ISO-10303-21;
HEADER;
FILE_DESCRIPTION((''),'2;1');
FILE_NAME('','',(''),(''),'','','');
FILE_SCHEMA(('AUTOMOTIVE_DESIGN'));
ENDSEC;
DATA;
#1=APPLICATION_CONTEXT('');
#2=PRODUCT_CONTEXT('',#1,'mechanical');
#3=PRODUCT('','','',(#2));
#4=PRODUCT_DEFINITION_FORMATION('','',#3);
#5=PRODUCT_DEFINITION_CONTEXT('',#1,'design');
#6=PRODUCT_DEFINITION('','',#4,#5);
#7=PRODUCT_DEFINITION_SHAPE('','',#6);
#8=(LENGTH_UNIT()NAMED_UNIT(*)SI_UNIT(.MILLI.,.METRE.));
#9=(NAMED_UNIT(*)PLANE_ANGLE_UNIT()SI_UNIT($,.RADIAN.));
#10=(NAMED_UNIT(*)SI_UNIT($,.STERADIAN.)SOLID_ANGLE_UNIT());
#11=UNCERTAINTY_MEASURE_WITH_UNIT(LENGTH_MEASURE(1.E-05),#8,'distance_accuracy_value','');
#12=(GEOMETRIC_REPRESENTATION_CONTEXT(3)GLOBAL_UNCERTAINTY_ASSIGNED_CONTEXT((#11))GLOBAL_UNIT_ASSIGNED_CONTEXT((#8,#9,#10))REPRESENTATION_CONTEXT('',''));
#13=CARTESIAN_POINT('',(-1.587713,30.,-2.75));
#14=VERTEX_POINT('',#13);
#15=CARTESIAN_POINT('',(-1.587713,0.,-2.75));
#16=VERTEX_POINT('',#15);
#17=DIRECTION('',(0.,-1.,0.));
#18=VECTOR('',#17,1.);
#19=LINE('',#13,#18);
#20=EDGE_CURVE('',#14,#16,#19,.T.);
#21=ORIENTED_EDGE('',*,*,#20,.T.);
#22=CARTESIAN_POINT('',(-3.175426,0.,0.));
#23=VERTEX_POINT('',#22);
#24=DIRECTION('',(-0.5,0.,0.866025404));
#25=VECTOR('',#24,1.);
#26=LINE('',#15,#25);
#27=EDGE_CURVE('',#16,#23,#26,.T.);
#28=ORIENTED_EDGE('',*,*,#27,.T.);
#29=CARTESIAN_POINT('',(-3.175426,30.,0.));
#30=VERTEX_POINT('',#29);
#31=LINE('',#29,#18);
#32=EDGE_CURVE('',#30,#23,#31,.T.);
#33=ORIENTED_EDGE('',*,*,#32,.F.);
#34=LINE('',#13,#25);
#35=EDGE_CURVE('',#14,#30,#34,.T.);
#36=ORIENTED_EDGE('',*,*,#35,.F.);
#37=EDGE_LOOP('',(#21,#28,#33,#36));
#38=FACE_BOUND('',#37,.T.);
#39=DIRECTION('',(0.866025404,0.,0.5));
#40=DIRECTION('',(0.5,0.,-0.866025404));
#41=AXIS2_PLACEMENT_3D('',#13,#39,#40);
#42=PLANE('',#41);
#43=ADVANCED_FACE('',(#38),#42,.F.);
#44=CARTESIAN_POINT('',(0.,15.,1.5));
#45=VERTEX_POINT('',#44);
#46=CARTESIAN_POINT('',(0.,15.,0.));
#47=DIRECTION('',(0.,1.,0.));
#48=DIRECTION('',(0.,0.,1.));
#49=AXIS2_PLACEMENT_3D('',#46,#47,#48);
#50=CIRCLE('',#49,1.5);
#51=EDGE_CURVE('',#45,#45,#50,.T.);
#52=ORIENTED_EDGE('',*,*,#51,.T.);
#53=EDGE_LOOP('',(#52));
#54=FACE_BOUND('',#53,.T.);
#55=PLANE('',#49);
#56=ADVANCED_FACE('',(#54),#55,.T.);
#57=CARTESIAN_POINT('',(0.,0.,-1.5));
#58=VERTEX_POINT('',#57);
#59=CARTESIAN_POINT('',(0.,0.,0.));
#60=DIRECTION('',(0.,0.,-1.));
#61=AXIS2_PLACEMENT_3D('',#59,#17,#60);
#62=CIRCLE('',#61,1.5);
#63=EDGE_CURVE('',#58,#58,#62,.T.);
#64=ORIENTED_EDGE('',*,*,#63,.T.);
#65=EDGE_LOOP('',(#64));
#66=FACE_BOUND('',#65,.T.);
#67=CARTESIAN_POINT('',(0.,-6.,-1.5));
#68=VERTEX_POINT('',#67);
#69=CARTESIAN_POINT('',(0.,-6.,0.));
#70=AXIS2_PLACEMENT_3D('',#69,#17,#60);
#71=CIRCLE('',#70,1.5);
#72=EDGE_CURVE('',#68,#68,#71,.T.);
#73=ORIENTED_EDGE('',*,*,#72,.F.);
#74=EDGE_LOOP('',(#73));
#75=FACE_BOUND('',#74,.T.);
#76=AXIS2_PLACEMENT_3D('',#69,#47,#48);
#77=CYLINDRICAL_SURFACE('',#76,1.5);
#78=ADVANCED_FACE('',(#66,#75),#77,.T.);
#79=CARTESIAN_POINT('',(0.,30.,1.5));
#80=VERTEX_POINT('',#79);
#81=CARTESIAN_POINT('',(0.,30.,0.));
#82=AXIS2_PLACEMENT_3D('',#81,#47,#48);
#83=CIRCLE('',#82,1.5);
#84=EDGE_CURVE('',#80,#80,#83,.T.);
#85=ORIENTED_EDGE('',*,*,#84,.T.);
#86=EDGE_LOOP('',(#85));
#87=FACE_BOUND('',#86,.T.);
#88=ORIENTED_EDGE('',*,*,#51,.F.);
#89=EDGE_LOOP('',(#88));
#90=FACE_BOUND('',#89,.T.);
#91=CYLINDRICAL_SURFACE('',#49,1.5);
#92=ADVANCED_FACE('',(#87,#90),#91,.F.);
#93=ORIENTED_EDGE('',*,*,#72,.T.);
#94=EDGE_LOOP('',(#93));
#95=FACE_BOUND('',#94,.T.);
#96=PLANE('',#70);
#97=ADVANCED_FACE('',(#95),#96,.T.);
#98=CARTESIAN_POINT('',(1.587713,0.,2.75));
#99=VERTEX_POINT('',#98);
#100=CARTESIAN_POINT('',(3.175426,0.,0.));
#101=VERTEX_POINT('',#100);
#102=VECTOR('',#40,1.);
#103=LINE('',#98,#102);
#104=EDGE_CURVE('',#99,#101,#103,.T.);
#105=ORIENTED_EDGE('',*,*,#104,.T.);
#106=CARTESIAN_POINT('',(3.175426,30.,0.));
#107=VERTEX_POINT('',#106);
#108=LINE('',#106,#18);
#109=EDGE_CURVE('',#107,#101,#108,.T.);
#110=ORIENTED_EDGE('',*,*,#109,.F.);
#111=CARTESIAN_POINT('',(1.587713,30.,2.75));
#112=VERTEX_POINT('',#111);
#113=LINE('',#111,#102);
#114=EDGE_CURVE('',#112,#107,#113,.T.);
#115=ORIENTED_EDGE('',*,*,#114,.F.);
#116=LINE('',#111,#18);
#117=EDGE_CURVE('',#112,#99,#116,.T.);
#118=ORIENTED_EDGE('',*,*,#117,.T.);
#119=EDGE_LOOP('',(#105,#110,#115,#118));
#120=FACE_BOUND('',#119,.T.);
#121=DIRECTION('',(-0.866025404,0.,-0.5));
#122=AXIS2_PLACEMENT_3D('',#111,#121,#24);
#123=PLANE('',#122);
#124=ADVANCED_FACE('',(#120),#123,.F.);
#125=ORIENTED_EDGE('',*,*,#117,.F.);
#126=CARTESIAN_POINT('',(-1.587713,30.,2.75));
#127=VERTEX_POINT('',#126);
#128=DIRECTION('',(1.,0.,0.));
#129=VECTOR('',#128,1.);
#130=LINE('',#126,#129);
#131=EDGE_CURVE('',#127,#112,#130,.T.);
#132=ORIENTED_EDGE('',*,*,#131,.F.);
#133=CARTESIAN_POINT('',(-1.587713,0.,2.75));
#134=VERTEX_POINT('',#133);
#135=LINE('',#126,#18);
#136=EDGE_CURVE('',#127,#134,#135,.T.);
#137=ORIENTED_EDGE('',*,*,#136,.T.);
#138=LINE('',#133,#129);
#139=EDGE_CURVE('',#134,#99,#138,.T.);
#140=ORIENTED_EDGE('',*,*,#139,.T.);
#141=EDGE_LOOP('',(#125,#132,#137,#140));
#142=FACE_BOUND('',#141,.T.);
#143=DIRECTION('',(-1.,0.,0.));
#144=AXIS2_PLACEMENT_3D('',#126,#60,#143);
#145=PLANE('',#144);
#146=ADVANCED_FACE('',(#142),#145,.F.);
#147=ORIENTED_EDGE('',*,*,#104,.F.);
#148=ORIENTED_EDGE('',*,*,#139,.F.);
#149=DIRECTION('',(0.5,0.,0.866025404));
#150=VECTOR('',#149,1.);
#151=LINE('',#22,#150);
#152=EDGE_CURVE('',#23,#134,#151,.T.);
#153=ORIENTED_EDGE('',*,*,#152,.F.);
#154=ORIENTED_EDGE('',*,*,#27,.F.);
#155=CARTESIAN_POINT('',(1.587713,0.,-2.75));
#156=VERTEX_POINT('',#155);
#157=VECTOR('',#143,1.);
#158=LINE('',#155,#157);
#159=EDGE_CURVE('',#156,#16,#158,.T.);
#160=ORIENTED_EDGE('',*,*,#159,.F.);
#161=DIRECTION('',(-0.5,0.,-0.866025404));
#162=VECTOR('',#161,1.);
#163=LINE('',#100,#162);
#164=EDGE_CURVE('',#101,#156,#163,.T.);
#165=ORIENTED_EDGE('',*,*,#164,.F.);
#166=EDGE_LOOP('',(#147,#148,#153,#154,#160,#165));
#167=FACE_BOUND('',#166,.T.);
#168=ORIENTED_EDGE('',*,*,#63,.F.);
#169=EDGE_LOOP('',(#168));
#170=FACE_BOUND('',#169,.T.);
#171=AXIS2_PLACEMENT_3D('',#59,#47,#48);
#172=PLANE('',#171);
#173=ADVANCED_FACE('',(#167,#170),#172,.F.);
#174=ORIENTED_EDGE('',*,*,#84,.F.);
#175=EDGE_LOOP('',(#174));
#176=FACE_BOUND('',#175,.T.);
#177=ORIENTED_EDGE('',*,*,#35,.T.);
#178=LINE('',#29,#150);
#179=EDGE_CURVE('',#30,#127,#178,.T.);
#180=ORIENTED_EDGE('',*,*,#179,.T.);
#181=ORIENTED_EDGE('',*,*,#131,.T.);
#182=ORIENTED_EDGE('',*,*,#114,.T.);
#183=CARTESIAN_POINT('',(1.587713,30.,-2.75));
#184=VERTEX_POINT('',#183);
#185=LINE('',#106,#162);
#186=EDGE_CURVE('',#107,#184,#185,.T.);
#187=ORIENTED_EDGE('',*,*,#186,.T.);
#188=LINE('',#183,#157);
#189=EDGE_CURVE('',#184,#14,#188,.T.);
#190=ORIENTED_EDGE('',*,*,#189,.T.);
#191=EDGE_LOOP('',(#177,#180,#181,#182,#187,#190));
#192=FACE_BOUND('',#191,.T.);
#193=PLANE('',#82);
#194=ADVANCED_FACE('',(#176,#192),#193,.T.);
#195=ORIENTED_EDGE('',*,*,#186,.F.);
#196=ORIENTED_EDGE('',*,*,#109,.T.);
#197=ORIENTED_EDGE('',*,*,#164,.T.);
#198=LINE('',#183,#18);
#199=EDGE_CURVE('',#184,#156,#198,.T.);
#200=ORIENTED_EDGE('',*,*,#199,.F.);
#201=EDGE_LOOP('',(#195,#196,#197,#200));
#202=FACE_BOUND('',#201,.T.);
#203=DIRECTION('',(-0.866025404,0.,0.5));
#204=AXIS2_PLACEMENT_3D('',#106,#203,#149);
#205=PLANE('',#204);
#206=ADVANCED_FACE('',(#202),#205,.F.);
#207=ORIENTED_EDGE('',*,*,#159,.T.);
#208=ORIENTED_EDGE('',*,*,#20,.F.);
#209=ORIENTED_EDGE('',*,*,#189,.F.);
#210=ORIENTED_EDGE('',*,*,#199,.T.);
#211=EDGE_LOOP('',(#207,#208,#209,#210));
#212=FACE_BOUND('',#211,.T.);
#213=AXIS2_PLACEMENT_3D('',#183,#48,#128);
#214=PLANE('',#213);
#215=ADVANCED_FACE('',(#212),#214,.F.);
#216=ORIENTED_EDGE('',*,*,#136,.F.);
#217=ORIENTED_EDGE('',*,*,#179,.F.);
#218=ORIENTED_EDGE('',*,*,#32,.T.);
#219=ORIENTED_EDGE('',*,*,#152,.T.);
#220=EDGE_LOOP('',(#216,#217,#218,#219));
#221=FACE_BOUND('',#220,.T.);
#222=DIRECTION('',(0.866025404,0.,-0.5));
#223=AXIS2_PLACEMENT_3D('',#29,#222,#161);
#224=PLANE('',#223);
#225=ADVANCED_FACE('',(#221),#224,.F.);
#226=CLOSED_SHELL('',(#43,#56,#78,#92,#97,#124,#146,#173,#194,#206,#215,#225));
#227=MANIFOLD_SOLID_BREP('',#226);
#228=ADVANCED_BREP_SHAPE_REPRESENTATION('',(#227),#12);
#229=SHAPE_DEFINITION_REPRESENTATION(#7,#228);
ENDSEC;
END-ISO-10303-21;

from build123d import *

# Parameters (mm, degrees)
BOSS_EXTRUDE1_DEPTH = 30
SKETCH2_R           = 1.5
CUT_EXTRUDE1_DEPTH  = 15
SKETCH3_R           = 1.5
BOSS_EXTRUDE2_DEPTH = 6


with BuildPart() as part:
    # Sketch1 → Boss-Extrude1 (new body)
    with BuildSketch(Plane(origin=(0, 0, 0), x_dir=(1, 0, 0), z_dir=(0, 1, 0))):
        Polygon((-1.58771324, -2.75), (1.58771324, -2.75), (3.175426481, 0), (1.58771324, 2.75), (-1.58771324, 2.75), (-3.175426481, 0), align=None)
    extrude(amount=BOSS_EXTRUDE1_DEPTH)

    # Sketch2 → Cut-Extrude1 (cut)
    with BuildSketch(Plane(origin=(0, 30, 0), x_dir=(1, 0, 0), z_dir=(0, 1, 0))):
        with Locations(Location((0, 0, 0), (0, 0, 270))):
            Circle(SKETCH2_R)
    extrude(amount=-CUT_EXTRUDE1_DEPTH, mode=Mode.SUBTRACT)

    # Sketch3 → Boss-Extrude2 (add)
    with BuildSketch(Plane.XZ):
        with Locations(Location((0, 0, 0), (0, 0, 90))):
            Circle(SKETCH3_R)
    extrude(amount=BOSS_EXTRUDE2_DEPTH)


solid = part.part
